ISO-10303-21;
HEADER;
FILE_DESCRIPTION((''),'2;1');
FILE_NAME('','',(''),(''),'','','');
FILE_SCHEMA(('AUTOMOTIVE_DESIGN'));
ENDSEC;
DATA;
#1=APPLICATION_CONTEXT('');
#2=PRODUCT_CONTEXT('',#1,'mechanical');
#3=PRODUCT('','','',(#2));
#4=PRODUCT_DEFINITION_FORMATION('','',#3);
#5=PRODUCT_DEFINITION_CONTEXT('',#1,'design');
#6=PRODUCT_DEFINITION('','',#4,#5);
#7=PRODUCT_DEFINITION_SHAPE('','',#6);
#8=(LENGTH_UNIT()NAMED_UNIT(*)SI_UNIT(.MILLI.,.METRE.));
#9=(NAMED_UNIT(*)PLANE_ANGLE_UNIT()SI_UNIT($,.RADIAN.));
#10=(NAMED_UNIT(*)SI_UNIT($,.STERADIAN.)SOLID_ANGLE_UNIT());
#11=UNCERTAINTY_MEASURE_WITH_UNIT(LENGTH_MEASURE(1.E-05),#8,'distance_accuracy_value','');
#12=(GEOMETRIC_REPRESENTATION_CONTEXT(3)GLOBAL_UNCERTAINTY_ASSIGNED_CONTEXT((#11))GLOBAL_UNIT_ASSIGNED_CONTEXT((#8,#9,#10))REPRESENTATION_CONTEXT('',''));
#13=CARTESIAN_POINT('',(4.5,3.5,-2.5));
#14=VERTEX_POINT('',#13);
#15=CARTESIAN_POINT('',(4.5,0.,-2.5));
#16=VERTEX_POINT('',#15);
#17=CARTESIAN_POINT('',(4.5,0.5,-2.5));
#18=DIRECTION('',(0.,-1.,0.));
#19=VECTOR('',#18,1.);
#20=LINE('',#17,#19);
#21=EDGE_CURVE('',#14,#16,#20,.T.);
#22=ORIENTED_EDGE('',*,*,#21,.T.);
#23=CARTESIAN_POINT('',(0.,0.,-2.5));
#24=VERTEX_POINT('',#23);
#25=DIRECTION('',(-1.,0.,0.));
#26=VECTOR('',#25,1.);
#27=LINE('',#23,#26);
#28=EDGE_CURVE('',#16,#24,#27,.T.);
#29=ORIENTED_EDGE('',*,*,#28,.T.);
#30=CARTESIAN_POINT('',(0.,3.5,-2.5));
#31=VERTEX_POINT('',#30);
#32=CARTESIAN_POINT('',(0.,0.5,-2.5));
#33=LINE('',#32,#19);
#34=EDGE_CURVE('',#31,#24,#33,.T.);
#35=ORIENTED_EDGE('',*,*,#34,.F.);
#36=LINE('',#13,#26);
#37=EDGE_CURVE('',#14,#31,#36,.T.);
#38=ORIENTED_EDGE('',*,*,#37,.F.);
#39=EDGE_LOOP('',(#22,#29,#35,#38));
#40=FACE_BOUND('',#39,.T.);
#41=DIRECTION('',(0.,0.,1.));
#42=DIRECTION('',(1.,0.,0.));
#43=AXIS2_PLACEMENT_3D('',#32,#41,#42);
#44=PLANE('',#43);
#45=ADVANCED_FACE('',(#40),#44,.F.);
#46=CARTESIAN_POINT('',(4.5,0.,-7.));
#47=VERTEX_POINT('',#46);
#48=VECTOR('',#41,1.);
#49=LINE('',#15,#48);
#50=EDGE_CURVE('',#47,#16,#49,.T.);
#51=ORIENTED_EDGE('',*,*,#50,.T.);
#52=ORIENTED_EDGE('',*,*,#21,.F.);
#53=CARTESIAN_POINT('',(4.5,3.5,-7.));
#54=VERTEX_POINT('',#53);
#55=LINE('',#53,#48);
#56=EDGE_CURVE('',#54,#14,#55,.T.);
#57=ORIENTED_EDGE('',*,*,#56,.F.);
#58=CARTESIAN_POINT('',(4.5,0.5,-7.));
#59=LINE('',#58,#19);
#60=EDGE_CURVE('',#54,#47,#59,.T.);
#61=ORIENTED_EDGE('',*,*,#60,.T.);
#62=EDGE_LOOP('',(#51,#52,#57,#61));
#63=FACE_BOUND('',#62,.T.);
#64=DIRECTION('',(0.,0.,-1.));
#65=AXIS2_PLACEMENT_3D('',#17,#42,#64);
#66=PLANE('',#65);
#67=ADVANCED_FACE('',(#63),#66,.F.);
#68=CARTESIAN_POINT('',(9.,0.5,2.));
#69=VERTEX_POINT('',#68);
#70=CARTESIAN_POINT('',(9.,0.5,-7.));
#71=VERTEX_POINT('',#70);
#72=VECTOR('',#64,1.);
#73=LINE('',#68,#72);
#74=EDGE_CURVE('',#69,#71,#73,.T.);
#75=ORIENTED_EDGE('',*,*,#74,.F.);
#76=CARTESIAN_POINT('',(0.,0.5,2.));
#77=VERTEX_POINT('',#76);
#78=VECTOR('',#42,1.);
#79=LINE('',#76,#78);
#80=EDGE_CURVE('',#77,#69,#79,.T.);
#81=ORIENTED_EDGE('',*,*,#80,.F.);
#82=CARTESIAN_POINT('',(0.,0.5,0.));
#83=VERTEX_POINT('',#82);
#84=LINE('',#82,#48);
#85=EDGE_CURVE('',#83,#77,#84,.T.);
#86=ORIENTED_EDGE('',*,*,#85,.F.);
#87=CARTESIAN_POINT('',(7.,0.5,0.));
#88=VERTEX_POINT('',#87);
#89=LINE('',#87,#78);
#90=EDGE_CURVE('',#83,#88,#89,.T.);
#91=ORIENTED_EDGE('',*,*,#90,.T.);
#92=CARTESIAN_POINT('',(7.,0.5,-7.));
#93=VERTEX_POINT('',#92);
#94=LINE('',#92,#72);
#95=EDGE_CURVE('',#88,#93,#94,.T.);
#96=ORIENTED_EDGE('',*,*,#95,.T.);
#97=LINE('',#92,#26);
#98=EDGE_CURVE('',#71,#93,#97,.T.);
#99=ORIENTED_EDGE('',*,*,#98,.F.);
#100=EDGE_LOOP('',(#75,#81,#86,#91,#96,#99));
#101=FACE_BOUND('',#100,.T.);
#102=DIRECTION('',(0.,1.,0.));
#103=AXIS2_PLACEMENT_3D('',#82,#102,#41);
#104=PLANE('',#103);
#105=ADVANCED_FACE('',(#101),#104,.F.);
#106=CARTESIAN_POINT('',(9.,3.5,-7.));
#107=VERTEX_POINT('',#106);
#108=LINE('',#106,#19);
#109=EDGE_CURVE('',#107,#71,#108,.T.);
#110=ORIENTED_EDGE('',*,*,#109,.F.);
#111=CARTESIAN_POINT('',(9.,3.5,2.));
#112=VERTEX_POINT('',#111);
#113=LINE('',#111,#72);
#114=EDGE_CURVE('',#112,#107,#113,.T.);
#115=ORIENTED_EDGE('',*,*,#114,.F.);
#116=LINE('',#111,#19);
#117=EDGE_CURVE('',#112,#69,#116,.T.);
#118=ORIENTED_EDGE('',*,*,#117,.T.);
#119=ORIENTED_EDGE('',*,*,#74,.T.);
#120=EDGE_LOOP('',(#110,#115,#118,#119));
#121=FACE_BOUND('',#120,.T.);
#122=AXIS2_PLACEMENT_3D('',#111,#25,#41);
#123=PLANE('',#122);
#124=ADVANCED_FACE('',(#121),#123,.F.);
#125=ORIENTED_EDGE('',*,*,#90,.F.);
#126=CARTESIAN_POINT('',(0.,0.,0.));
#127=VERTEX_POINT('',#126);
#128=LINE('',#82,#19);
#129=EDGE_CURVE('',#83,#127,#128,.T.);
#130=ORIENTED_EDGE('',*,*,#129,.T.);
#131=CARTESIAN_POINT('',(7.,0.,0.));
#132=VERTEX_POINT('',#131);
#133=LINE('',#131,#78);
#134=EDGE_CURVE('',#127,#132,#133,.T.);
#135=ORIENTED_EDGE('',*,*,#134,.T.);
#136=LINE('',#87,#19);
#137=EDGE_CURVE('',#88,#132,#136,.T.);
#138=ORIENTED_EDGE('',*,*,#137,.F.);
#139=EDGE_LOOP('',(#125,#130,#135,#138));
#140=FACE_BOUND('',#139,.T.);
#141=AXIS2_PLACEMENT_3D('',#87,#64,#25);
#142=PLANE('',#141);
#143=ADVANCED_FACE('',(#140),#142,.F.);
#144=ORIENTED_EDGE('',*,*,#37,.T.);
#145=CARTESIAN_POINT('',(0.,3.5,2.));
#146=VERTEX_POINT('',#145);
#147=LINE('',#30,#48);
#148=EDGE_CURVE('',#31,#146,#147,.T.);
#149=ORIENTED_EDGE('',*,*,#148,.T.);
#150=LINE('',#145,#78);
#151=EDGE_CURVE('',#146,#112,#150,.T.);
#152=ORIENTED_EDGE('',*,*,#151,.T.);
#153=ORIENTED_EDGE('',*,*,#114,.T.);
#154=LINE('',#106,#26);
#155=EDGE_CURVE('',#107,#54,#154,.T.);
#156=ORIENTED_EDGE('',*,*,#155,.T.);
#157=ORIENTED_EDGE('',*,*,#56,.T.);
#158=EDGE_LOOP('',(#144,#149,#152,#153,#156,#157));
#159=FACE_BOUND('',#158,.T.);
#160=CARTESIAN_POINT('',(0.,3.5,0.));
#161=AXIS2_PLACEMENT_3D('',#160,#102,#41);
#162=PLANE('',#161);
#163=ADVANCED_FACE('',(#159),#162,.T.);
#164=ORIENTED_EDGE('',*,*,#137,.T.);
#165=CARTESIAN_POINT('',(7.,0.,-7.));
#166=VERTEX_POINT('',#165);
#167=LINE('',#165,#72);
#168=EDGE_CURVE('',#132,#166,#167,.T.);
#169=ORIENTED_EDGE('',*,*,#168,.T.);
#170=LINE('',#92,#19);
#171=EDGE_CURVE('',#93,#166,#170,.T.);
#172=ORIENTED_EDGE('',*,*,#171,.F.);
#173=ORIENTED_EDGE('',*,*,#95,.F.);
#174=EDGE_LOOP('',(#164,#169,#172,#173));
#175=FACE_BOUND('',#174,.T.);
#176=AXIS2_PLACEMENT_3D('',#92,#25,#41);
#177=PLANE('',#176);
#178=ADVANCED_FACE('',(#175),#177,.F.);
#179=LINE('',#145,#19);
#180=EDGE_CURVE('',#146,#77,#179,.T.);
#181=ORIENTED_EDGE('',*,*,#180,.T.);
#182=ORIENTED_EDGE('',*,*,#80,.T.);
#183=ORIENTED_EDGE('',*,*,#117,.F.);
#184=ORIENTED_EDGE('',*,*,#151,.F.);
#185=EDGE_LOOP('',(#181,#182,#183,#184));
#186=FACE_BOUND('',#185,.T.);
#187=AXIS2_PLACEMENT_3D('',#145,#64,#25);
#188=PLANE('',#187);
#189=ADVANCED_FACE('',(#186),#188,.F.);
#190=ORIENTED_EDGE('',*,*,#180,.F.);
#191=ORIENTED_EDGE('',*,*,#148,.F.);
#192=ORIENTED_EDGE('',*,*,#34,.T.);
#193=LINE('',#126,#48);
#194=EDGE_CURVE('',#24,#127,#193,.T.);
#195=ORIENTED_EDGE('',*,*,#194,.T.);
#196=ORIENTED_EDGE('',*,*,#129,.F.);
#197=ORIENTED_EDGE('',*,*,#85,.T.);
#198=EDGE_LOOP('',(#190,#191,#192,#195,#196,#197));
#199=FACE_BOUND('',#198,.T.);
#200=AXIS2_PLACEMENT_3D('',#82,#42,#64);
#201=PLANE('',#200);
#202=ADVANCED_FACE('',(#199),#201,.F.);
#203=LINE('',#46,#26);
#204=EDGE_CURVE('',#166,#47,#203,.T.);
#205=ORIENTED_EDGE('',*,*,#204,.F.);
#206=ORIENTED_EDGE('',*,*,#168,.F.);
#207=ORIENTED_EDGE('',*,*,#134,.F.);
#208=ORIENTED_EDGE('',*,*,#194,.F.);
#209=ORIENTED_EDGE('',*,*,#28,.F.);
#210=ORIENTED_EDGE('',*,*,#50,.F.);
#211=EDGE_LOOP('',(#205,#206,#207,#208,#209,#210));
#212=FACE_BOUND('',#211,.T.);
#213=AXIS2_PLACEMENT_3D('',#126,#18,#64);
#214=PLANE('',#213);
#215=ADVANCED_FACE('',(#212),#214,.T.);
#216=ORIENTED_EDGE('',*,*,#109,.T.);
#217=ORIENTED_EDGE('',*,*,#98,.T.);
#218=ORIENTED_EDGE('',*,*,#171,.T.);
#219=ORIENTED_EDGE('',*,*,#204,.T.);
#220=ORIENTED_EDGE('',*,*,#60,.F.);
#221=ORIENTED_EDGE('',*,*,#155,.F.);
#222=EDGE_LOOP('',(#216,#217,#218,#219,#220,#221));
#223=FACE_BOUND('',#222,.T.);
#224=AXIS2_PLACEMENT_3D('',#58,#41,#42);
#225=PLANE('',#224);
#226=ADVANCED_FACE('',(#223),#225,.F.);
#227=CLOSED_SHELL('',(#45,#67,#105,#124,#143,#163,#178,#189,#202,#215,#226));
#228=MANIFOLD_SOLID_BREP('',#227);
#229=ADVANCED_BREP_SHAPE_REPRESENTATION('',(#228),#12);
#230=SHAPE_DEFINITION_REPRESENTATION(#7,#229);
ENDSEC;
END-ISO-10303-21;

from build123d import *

# Parameters (mm, degrees)
SALIENTE_EXTRUIR1_DEPTH = 0.5
SALIENTE_EXTRUIR2_DEPTH = 3


with BuildPart() as part:
    # Croquis1 → Saliente-Extruir1 (new body)
    with BuildSketch(Plane(origin=(0, 0, 0), x_dir=(1, 0, 0), z_dir=(0, 1, 0))):
        Polygon((0, 0), (0, 2.5), (4.5, 2.5), (4.5, 7), (7, 7), (7, 0), align=None)
    extrude(amount=SALIENTE_EXTRUIR1_DEPTH)

    # Croquis2 → Saliente-Extruir2 (add)
    with BuildSketch(Plane(origin=(0, 0.5, 0), x_dir=(1, 0, 0), z_dir=(0, 1, 0))):
        Polygon((0, 2.5), (0, 0), (0, -2), (9, -2), (9, 7), (7, 7), (4.5, 7), (4.5, 2.5), align=None)
    extrude(amount=SALIENTE_EXTRUIR2_DEPTH)


solid = part.part
